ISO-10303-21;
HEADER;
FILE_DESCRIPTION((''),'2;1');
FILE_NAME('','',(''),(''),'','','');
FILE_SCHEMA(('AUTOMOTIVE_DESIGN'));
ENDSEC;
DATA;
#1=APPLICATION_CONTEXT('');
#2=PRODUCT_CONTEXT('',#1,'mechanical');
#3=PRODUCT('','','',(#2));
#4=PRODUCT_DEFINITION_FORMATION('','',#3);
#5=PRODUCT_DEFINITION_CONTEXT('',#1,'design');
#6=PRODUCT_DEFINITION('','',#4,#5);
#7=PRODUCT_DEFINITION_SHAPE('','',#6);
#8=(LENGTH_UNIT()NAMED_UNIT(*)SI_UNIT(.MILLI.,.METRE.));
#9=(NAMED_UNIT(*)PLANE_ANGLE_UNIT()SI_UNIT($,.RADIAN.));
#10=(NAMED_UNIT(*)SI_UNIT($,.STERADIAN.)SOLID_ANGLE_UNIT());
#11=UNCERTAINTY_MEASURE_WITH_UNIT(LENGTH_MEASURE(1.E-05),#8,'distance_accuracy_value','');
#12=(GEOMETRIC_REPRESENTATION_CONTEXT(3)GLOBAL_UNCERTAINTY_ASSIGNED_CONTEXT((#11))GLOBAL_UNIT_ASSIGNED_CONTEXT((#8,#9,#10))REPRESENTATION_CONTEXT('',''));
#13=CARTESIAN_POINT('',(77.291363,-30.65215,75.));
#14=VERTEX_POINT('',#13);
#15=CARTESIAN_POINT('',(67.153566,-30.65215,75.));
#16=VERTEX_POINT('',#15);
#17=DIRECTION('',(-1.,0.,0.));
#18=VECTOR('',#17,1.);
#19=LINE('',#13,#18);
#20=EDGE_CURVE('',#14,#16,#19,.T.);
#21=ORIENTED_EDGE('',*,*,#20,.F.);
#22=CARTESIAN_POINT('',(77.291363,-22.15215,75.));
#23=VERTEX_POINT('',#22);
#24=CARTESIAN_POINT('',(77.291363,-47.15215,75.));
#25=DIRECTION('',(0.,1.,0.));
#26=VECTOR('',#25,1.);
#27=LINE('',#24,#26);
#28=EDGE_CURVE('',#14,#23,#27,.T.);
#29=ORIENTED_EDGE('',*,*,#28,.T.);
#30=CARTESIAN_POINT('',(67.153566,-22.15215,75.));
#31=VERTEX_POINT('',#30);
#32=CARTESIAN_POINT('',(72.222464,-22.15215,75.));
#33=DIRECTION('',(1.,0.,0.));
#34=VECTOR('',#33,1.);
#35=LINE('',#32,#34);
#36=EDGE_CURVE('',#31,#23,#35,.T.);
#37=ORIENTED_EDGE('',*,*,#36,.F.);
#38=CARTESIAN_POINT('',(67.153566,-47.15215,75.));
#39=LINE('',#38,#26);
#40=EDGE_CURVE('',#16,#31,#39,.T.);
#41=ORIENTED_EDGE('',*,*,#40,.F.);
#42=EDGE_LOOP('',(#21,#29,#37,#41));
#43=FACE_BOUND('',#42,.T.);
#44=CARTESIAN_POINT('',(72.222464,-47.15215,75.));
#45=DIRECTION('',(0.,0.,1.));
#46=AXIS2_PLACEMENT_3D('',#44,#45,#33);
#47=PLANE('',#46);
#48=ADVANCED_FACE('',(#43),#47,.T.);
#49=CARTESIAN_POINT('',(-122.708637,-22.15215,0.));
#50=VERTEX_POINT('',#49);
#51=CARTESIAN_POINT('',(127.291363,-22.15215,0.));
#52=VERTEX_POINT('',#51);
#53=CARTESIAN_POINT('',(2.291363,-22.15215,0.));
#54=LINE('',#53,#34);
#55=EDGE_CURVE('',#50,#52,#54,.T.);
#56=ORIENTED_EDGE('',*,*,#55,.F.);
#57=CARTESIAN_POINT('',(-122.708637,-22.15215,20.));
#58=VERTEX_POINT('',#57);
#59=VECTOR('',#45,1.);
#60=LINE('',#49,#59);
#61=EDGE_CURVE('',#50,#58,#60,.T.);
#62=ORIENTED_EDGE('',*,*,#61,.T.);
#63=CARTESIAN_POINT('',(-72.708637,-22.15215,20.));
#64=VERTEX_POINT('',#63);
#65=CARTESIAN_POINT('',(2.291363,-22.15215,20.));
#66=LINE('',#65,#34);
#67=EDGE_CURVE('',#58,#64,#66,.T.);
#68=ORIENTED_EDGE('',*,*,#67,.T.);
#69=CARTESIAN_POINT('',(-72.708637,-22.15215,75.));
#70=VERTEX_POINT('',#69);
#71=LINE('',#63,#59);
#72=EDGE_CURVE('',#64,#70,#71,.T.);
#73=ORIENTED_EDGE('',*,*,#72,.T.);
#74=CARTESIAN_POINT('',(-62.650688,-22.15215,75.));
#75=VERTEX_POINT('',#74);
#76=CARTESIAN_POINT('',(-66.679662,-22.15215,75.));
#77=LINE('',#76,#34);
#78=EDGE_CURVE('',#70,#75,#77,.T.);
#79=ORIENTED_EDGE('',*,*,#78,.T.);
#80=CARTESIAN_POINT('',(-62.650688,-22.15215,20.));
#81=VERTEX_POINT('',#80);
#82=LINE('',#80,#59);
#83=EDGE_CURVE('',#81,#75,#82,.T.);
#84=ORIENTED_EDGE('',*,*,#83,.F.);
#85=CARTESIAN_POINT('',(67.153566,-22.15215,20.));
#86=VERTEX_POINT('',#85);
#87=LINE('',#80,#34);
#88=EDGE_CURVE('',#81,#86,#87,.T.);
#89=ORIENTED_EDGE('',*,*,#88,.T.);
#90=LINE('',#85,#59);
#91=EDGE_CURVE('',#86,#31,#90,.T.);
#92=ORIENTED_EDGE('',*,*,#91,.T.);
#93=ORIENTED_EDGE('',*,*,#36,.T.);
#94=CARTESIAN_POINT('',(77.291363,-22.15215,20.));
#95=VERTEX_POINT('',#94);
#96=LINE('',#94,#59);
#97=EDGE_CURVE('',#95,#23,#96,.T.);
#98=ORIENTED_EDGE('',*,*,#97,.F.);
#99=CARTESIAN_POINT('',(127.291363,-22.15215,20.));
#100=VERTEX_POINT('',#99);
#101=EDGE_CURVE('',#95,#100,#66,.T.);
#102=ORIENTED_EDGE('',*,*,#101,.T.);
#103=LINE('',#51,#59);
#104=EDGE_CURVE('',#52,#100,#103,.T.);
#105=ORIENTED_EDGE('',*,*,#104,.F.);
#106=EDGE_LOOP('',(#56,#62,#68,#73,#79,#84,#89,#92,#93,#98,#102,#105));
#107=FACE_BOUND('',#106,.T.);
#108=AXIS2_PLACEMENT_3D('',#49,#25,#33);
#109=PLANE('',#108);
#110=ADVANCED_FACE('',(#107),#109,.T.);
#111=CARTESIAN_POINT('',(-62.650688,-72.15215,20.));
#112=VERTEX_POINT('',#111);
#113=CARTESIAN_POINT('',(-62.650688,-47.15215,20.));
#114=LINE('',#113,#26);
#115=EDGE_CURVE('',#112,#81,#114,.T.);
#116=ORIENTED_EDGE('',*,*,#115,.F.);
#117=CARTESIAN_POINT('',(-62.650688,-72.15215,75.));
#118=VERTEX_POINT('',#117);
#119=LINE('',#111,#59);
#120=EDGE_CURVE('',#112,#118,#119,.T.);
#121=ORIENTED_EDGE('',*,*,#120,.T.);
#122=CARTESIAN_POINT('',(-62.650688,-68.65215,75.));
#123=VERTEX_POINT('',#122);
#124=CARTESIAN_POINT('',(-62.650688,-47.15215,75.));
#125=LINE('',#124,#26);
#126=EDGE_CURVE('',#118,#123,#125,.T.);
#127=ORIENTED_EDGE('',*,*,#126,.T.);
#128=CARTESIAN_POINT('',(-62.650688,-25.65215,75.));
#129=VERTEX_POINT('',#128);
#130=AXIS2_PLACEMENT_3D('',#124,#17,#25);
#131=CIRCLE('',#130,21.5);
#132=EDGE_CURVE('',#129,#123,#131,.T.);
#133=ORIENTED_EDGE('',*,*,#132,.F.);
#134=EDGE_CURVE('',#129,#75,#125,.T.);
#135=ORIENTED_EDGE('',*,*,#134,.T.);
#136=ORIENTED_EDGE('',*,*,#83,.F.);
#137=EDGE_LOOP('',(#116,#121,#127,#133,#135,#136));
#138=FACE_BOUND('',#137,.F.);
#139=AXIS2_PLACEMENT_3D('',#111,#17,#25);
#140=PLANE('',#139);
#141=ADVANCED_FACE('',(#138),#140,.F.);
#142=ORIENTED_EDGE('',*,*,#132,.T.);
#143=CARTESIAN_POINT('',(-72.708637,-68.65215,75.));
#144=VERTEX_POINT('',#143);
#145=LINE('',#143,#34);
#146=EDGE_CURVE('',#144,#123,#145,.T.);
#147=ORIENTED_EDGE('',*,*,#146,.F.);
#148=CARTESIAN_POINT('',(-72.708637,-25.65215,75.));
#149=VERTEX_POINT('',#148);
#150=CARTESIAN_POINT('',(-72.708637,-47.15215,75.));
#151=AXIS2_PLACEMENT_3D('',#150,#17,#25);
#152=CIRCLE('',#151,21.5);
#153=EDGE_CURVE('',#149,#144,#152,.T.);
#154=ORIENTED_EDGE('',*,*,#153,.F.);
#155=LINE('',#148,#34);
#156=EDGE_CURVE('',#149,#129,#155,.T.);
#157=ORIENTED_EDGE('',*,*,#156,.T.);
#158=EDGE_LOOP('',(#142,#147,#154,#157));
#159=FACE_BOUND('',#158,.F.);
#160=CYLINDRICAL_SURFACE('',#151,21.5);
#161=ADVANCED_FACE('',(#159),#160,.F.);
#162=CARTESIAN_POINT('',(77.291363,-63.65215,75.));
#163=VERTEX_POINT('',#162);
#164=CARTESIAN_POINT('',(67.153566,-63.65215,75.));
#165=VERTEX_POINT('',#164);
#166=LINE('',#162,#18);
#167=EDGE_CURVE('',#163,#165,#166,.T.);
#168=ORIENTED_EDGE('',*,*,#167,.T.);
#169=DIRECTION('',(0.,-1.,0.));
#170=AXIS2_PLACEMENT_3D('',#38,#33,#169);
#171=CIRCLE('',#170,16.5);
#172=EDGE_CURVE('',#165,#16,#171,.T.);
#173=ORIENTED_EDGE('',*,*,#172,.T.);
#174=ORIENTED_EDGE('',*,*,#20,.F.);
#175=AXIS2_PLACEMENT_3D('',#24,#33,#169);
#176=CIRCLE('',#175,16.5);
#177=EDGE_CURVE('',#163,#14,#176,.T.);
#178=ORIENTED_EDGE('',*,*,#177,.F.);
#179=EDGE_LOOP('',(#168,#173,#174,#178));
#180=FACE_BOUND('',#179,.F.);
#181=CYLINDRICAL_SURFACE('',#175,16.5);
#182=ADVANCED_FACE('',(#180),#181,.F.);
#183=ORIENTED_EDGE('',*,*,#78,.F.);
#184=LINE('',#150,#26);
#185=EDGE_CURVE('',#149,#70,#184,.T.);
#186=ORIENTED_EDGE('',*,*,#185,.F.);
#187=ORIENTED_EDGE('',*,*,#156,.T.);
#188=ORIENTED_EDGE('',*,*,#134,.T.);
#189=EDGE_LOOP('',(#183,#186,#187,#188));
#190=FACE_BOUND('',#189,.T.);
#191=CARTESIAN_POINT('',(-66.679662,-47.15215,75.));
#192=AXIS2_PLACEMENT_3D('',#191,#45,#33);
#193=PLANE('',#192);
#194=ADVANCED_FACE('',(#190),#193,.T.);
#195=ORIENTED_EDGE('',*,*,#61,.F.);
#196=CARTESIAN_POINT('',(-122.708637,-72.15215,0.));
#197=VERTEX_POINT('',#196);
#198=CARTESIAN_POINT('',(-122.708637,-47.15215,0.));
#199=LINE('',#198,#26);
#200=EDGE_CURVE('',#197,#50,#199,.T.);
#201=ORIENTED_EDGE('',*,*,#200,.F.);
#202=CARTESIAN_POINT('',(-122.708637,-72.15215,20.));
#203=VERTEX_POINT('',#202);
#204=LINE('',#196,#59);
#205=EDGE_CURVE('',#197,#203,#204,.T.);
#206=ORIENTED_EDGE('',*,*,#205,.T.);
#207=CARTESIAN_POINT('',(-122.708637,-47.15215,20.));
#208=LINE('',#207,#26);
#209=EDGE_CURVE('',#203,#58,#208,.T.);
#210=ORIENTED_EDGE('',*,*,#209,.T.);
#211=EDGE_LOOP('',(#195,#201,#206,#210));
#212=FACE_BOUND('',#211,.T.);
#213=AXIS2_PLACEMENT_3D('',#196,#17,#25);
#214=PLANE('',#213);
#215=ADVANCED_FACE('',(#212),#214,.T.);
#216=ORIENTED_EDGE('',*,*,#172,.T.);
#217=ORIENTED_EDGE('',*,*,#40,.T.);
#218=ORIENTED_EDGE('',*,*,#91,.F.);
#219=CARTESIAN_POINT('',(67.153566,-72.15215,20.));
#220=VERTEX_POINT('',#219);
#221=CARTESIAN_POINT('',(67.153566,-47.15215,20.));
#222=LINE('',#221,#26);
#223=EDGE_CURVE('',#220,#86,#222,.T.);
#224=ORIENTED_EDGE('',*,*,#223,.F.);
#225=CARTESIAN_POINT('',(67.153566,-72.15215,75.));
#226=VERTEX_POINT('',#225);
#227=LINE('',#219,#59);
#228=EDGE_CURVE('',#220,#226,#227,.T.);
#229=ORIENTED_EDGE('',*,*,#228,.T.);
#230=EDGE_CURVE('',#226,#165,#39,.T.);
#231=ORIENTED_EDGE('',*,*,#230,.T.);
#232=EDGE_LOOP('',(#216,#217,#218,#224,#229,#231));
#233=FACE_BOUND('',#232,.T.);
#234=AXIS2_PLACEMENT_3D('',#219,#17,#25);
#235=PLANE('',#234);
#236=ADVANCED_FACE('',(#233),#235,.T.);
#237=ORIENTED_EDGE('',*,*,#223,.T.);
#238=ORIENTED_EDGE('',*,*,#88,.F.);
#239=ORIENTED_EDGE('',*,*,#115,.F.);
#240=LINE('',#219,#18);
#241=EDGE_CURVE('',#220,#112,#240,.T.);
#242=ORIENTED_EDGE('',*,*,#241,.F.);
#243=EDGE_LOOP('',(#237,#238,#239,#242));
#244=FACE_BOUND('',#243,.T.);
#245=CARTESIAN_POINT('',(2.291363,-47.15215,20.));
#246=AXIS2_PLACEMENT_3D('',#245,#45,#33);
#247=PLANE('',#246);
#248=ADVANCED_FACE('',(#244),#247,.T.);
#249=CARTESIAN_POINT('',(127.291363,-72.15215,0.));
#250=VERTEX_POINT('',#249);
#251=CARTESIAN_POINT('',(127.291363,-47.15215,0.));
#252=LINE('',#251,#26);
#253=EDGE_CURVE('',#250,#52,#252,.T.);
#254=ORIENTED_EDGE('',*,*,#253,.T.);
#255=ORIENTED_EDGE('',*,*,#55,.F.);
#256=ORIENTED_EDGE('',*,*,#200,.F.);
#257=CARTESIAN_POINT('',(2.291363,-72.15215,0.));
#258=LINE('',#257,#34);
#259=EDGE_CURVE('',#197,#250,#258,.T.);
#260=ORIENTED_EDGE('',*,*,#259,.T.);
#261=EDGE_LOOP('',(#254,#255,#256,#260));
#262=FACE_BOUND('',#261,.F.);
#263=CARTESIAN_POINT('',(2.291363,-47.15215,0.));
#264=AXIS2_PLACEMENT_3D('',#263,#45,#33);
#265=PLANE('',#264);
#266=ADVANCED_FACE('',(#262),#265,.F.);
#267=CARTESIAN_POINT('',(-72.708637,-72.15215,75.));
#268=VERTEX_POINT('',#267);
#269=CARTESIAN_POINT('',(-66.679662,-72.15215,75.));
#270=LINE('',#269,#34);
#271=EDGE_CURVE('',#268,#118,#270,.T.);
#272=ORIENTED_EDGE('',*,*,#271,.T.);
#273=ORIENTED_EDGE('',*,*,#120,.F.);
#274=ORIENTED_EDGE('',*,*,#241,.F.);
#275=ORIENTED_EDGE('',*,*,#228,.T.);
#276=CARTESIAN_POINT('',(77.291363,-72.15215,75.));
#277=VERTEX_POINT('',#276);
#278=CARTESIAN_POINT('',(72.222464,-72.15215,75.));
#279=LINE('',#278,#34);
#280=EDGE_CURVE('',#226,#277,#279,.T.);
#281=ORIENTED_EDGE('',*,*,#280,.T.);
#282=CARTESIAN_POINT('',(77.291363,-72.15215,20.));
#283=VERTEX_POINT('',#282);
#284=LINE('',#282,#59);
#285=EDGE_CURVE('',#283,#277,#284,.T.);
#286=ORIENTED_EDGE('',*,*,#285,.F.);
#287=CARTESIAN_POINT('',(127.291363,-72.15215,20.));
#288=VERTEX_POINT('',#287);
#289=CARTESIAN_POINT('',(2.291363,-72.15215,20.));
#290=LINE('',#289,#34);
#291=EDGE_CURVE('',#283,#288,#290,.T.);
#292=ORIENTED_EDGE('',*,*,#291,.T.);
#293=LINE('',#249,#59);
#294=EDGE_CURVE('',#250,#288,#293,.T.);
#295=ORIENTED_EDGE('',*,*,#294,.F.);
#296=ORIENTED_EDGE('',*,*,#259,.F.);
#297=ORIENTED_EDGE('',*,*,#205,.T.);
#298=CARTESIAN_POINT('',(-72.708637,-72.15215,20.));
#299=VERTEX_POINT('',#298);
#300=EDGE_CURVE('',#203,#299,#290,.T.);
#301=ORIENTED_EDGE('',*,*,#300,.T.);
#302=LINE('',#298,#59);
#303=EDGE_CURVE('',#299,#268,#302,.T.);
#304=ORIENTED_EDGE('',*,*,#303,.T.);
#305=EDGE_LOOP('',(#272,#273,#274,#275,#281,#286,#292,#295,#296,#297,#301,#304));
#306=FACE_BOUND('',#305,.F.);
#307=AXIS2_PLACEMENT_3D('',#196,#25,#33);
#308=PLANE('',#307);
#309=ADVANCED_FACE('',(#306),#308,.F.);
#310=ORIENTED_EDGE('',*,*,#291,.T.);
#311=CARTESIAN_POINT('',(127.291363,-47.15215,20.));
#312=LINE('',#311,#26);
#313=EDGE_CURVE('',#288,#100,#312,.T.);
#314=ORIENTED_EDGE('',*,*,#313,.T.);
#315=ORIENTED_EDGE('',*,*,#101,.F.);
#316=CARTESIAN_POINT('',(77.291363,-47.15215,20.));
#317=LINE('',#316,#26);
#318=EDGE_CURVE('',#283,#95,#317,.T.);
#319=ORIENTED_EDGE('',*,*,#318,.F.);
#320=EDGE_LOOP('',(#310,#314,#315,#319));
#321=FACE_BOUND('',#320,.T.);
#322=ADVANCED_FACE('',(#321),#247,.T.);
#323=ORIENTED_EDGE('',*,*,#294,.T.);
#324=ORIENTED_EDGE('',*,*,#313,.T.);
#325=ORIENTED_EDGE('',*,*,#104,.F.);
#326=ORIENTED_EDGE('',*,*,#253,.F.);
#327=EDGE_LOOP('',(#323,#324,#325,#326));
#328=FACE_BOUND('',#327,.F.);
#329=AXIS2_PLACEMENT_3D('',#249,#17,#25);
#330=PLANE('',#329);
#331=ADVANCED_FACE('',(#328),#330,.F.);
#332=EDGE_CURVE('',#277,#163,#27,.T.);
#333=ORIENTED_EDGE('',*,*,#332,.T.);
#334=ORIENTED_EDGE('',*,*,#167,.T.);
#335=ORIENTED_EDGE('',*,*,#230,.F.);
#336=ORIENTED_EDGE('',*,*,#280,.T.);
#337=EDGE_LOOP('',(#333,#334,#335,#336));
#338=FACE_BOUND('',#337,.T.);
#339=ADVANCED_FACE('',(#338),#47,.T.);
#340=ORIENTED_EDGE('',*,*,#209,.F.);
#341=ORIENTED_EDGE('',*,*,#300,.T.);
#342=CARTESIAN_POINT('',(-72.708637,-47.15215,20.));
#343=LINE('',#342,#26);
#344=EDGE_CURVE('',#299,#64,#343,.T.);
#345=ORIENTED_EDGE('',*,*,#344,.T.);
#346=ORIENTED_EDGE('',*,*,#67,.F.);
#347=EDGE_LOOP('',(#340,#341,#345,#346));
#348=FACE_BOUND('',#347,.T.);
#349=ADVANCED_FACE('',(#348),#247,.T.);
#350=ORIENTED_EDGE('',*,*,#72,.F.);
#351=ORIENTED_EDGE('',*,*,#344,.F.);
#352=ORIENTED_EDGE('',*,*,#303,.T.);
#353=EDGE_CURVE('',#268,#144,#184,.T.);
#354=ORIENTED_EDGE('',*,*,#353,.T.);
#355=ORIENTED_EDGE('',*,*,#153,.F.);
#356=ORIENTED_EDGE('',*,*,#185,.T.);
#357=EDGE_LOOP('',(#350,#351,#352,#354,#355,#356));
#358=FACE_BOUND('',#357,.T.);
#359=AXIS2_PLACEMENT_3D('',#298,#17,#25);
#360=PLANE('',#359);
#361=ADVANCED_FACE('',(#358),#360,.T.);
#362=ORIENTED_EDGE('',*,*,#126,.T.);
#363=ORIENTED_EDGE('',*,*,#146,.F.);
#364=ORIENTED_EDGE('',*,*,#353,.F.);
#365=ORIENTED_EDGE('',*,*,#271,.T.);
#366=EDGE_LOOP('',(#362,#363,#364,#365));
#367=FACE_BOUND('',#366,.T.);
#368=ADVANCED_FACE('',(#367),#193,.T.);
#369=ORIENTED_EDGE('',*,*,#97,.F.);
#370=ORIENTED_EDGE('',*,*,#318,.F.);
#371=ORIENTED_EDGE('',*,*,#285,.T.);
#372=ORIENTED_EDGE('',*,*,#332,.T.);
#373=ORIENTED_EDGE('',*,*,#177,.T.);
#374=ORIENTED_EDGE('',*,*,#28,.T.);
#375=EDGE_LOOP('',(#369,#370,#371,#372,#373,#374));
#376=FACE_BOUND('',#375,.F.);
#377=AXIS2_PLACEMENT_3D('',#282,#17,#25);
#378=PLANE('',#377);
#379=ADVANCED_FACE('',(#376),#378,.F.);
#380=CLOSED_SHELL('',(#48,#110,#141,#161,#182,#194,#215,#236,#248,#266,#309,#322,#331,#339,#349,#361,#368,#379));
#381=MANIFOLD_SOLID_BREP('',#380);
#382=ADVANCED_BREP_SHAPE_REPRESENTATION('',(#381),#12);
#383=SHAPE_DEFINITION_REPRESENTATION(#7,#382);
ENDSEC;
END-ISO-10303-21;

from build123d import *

# Parameters (mm, degrees)
F0_W      = 250
F0_H      = 50
F1_DEPTH  = 20
F2_W      = 10.137797147
F2_H      = 50
F3_DEPTH  = 55
F5_DEPTH  = 200.001
F6_W      = 12.0579496026
F6_H      = 50
F7_DEPTH  = 55
F9_DEPTH  = 12.0579496026
F10_DEPTH = 2


with BuildPart() as f1:
    # F0 (on Top) → F1 (new body)
    with BuildSketch(Plane.XY):
        with Locations((2.2913627326, -47.1521499132)):
            Rectangle(F0_W, F0_H)
    extrude(amount=F1_DEPTH)

    # F2 (on face) → F3 (join)
    with BuildSketch(Plane.XY.offset(20)):
        with Locations((72.2224641591, -47.1521499132)):
            Rectangle(F2_W, F2_H)
    extrude(amount=F3_DEPTH)

    # F4 (on face) → F5 (cut, through all)
    with BuildSketch(Plane.YZ.offset(77.2913627326)):
        with BuildLine():
            ThreePointArc((-63.6521499132, 75), (-47.1521499132, 58.5), (-30.6521499132, 75))
            Line((-30.6521499132, 75), (-63.6521499132, 75))
        make_face()
    extrude(amount=-F5_DEPTH, mode=Mode.SUBTRACT)

    # F6 (on face) → F7 (join, through all)
    with BuildSketch(Plane.XY.offset(20)):
        with Locations((-66.679662466, -47.1521499132)):
            Rectangle(F6_W, F6_H)
    extrude(amount=F7_DEPTH)

    # F8 (on face) → F9 (cut, through all)
    with BuildSketch(Plane(origin=(-72.7086372674, 0, 0), x_dir=(0, -1, 0), z_dir=(-1, 0, 0))):
        with BuildLine():
            ThreePointArc((25.6521499132, 75), (47.1521499132, 53.5), (68.6521499132, 75))
            Line((68.6521499132, 75), (25.6521499132, 75))
        make_face()
    extrude(amount=-F9_DEPTH, mode=Mode.SUBTRACT)

    # F10 (cut): a face of the model
    f10_faces = [f1.faces().sort_by_distance(p)[0] for p in [
        (-60.6506876647, -47.1521499132, 40.9076845732),
    ]]
    extrude(f10_faces, amount=-F10_DEPTH, mode=Mode.SUBTRACT)


solid = f1.part
